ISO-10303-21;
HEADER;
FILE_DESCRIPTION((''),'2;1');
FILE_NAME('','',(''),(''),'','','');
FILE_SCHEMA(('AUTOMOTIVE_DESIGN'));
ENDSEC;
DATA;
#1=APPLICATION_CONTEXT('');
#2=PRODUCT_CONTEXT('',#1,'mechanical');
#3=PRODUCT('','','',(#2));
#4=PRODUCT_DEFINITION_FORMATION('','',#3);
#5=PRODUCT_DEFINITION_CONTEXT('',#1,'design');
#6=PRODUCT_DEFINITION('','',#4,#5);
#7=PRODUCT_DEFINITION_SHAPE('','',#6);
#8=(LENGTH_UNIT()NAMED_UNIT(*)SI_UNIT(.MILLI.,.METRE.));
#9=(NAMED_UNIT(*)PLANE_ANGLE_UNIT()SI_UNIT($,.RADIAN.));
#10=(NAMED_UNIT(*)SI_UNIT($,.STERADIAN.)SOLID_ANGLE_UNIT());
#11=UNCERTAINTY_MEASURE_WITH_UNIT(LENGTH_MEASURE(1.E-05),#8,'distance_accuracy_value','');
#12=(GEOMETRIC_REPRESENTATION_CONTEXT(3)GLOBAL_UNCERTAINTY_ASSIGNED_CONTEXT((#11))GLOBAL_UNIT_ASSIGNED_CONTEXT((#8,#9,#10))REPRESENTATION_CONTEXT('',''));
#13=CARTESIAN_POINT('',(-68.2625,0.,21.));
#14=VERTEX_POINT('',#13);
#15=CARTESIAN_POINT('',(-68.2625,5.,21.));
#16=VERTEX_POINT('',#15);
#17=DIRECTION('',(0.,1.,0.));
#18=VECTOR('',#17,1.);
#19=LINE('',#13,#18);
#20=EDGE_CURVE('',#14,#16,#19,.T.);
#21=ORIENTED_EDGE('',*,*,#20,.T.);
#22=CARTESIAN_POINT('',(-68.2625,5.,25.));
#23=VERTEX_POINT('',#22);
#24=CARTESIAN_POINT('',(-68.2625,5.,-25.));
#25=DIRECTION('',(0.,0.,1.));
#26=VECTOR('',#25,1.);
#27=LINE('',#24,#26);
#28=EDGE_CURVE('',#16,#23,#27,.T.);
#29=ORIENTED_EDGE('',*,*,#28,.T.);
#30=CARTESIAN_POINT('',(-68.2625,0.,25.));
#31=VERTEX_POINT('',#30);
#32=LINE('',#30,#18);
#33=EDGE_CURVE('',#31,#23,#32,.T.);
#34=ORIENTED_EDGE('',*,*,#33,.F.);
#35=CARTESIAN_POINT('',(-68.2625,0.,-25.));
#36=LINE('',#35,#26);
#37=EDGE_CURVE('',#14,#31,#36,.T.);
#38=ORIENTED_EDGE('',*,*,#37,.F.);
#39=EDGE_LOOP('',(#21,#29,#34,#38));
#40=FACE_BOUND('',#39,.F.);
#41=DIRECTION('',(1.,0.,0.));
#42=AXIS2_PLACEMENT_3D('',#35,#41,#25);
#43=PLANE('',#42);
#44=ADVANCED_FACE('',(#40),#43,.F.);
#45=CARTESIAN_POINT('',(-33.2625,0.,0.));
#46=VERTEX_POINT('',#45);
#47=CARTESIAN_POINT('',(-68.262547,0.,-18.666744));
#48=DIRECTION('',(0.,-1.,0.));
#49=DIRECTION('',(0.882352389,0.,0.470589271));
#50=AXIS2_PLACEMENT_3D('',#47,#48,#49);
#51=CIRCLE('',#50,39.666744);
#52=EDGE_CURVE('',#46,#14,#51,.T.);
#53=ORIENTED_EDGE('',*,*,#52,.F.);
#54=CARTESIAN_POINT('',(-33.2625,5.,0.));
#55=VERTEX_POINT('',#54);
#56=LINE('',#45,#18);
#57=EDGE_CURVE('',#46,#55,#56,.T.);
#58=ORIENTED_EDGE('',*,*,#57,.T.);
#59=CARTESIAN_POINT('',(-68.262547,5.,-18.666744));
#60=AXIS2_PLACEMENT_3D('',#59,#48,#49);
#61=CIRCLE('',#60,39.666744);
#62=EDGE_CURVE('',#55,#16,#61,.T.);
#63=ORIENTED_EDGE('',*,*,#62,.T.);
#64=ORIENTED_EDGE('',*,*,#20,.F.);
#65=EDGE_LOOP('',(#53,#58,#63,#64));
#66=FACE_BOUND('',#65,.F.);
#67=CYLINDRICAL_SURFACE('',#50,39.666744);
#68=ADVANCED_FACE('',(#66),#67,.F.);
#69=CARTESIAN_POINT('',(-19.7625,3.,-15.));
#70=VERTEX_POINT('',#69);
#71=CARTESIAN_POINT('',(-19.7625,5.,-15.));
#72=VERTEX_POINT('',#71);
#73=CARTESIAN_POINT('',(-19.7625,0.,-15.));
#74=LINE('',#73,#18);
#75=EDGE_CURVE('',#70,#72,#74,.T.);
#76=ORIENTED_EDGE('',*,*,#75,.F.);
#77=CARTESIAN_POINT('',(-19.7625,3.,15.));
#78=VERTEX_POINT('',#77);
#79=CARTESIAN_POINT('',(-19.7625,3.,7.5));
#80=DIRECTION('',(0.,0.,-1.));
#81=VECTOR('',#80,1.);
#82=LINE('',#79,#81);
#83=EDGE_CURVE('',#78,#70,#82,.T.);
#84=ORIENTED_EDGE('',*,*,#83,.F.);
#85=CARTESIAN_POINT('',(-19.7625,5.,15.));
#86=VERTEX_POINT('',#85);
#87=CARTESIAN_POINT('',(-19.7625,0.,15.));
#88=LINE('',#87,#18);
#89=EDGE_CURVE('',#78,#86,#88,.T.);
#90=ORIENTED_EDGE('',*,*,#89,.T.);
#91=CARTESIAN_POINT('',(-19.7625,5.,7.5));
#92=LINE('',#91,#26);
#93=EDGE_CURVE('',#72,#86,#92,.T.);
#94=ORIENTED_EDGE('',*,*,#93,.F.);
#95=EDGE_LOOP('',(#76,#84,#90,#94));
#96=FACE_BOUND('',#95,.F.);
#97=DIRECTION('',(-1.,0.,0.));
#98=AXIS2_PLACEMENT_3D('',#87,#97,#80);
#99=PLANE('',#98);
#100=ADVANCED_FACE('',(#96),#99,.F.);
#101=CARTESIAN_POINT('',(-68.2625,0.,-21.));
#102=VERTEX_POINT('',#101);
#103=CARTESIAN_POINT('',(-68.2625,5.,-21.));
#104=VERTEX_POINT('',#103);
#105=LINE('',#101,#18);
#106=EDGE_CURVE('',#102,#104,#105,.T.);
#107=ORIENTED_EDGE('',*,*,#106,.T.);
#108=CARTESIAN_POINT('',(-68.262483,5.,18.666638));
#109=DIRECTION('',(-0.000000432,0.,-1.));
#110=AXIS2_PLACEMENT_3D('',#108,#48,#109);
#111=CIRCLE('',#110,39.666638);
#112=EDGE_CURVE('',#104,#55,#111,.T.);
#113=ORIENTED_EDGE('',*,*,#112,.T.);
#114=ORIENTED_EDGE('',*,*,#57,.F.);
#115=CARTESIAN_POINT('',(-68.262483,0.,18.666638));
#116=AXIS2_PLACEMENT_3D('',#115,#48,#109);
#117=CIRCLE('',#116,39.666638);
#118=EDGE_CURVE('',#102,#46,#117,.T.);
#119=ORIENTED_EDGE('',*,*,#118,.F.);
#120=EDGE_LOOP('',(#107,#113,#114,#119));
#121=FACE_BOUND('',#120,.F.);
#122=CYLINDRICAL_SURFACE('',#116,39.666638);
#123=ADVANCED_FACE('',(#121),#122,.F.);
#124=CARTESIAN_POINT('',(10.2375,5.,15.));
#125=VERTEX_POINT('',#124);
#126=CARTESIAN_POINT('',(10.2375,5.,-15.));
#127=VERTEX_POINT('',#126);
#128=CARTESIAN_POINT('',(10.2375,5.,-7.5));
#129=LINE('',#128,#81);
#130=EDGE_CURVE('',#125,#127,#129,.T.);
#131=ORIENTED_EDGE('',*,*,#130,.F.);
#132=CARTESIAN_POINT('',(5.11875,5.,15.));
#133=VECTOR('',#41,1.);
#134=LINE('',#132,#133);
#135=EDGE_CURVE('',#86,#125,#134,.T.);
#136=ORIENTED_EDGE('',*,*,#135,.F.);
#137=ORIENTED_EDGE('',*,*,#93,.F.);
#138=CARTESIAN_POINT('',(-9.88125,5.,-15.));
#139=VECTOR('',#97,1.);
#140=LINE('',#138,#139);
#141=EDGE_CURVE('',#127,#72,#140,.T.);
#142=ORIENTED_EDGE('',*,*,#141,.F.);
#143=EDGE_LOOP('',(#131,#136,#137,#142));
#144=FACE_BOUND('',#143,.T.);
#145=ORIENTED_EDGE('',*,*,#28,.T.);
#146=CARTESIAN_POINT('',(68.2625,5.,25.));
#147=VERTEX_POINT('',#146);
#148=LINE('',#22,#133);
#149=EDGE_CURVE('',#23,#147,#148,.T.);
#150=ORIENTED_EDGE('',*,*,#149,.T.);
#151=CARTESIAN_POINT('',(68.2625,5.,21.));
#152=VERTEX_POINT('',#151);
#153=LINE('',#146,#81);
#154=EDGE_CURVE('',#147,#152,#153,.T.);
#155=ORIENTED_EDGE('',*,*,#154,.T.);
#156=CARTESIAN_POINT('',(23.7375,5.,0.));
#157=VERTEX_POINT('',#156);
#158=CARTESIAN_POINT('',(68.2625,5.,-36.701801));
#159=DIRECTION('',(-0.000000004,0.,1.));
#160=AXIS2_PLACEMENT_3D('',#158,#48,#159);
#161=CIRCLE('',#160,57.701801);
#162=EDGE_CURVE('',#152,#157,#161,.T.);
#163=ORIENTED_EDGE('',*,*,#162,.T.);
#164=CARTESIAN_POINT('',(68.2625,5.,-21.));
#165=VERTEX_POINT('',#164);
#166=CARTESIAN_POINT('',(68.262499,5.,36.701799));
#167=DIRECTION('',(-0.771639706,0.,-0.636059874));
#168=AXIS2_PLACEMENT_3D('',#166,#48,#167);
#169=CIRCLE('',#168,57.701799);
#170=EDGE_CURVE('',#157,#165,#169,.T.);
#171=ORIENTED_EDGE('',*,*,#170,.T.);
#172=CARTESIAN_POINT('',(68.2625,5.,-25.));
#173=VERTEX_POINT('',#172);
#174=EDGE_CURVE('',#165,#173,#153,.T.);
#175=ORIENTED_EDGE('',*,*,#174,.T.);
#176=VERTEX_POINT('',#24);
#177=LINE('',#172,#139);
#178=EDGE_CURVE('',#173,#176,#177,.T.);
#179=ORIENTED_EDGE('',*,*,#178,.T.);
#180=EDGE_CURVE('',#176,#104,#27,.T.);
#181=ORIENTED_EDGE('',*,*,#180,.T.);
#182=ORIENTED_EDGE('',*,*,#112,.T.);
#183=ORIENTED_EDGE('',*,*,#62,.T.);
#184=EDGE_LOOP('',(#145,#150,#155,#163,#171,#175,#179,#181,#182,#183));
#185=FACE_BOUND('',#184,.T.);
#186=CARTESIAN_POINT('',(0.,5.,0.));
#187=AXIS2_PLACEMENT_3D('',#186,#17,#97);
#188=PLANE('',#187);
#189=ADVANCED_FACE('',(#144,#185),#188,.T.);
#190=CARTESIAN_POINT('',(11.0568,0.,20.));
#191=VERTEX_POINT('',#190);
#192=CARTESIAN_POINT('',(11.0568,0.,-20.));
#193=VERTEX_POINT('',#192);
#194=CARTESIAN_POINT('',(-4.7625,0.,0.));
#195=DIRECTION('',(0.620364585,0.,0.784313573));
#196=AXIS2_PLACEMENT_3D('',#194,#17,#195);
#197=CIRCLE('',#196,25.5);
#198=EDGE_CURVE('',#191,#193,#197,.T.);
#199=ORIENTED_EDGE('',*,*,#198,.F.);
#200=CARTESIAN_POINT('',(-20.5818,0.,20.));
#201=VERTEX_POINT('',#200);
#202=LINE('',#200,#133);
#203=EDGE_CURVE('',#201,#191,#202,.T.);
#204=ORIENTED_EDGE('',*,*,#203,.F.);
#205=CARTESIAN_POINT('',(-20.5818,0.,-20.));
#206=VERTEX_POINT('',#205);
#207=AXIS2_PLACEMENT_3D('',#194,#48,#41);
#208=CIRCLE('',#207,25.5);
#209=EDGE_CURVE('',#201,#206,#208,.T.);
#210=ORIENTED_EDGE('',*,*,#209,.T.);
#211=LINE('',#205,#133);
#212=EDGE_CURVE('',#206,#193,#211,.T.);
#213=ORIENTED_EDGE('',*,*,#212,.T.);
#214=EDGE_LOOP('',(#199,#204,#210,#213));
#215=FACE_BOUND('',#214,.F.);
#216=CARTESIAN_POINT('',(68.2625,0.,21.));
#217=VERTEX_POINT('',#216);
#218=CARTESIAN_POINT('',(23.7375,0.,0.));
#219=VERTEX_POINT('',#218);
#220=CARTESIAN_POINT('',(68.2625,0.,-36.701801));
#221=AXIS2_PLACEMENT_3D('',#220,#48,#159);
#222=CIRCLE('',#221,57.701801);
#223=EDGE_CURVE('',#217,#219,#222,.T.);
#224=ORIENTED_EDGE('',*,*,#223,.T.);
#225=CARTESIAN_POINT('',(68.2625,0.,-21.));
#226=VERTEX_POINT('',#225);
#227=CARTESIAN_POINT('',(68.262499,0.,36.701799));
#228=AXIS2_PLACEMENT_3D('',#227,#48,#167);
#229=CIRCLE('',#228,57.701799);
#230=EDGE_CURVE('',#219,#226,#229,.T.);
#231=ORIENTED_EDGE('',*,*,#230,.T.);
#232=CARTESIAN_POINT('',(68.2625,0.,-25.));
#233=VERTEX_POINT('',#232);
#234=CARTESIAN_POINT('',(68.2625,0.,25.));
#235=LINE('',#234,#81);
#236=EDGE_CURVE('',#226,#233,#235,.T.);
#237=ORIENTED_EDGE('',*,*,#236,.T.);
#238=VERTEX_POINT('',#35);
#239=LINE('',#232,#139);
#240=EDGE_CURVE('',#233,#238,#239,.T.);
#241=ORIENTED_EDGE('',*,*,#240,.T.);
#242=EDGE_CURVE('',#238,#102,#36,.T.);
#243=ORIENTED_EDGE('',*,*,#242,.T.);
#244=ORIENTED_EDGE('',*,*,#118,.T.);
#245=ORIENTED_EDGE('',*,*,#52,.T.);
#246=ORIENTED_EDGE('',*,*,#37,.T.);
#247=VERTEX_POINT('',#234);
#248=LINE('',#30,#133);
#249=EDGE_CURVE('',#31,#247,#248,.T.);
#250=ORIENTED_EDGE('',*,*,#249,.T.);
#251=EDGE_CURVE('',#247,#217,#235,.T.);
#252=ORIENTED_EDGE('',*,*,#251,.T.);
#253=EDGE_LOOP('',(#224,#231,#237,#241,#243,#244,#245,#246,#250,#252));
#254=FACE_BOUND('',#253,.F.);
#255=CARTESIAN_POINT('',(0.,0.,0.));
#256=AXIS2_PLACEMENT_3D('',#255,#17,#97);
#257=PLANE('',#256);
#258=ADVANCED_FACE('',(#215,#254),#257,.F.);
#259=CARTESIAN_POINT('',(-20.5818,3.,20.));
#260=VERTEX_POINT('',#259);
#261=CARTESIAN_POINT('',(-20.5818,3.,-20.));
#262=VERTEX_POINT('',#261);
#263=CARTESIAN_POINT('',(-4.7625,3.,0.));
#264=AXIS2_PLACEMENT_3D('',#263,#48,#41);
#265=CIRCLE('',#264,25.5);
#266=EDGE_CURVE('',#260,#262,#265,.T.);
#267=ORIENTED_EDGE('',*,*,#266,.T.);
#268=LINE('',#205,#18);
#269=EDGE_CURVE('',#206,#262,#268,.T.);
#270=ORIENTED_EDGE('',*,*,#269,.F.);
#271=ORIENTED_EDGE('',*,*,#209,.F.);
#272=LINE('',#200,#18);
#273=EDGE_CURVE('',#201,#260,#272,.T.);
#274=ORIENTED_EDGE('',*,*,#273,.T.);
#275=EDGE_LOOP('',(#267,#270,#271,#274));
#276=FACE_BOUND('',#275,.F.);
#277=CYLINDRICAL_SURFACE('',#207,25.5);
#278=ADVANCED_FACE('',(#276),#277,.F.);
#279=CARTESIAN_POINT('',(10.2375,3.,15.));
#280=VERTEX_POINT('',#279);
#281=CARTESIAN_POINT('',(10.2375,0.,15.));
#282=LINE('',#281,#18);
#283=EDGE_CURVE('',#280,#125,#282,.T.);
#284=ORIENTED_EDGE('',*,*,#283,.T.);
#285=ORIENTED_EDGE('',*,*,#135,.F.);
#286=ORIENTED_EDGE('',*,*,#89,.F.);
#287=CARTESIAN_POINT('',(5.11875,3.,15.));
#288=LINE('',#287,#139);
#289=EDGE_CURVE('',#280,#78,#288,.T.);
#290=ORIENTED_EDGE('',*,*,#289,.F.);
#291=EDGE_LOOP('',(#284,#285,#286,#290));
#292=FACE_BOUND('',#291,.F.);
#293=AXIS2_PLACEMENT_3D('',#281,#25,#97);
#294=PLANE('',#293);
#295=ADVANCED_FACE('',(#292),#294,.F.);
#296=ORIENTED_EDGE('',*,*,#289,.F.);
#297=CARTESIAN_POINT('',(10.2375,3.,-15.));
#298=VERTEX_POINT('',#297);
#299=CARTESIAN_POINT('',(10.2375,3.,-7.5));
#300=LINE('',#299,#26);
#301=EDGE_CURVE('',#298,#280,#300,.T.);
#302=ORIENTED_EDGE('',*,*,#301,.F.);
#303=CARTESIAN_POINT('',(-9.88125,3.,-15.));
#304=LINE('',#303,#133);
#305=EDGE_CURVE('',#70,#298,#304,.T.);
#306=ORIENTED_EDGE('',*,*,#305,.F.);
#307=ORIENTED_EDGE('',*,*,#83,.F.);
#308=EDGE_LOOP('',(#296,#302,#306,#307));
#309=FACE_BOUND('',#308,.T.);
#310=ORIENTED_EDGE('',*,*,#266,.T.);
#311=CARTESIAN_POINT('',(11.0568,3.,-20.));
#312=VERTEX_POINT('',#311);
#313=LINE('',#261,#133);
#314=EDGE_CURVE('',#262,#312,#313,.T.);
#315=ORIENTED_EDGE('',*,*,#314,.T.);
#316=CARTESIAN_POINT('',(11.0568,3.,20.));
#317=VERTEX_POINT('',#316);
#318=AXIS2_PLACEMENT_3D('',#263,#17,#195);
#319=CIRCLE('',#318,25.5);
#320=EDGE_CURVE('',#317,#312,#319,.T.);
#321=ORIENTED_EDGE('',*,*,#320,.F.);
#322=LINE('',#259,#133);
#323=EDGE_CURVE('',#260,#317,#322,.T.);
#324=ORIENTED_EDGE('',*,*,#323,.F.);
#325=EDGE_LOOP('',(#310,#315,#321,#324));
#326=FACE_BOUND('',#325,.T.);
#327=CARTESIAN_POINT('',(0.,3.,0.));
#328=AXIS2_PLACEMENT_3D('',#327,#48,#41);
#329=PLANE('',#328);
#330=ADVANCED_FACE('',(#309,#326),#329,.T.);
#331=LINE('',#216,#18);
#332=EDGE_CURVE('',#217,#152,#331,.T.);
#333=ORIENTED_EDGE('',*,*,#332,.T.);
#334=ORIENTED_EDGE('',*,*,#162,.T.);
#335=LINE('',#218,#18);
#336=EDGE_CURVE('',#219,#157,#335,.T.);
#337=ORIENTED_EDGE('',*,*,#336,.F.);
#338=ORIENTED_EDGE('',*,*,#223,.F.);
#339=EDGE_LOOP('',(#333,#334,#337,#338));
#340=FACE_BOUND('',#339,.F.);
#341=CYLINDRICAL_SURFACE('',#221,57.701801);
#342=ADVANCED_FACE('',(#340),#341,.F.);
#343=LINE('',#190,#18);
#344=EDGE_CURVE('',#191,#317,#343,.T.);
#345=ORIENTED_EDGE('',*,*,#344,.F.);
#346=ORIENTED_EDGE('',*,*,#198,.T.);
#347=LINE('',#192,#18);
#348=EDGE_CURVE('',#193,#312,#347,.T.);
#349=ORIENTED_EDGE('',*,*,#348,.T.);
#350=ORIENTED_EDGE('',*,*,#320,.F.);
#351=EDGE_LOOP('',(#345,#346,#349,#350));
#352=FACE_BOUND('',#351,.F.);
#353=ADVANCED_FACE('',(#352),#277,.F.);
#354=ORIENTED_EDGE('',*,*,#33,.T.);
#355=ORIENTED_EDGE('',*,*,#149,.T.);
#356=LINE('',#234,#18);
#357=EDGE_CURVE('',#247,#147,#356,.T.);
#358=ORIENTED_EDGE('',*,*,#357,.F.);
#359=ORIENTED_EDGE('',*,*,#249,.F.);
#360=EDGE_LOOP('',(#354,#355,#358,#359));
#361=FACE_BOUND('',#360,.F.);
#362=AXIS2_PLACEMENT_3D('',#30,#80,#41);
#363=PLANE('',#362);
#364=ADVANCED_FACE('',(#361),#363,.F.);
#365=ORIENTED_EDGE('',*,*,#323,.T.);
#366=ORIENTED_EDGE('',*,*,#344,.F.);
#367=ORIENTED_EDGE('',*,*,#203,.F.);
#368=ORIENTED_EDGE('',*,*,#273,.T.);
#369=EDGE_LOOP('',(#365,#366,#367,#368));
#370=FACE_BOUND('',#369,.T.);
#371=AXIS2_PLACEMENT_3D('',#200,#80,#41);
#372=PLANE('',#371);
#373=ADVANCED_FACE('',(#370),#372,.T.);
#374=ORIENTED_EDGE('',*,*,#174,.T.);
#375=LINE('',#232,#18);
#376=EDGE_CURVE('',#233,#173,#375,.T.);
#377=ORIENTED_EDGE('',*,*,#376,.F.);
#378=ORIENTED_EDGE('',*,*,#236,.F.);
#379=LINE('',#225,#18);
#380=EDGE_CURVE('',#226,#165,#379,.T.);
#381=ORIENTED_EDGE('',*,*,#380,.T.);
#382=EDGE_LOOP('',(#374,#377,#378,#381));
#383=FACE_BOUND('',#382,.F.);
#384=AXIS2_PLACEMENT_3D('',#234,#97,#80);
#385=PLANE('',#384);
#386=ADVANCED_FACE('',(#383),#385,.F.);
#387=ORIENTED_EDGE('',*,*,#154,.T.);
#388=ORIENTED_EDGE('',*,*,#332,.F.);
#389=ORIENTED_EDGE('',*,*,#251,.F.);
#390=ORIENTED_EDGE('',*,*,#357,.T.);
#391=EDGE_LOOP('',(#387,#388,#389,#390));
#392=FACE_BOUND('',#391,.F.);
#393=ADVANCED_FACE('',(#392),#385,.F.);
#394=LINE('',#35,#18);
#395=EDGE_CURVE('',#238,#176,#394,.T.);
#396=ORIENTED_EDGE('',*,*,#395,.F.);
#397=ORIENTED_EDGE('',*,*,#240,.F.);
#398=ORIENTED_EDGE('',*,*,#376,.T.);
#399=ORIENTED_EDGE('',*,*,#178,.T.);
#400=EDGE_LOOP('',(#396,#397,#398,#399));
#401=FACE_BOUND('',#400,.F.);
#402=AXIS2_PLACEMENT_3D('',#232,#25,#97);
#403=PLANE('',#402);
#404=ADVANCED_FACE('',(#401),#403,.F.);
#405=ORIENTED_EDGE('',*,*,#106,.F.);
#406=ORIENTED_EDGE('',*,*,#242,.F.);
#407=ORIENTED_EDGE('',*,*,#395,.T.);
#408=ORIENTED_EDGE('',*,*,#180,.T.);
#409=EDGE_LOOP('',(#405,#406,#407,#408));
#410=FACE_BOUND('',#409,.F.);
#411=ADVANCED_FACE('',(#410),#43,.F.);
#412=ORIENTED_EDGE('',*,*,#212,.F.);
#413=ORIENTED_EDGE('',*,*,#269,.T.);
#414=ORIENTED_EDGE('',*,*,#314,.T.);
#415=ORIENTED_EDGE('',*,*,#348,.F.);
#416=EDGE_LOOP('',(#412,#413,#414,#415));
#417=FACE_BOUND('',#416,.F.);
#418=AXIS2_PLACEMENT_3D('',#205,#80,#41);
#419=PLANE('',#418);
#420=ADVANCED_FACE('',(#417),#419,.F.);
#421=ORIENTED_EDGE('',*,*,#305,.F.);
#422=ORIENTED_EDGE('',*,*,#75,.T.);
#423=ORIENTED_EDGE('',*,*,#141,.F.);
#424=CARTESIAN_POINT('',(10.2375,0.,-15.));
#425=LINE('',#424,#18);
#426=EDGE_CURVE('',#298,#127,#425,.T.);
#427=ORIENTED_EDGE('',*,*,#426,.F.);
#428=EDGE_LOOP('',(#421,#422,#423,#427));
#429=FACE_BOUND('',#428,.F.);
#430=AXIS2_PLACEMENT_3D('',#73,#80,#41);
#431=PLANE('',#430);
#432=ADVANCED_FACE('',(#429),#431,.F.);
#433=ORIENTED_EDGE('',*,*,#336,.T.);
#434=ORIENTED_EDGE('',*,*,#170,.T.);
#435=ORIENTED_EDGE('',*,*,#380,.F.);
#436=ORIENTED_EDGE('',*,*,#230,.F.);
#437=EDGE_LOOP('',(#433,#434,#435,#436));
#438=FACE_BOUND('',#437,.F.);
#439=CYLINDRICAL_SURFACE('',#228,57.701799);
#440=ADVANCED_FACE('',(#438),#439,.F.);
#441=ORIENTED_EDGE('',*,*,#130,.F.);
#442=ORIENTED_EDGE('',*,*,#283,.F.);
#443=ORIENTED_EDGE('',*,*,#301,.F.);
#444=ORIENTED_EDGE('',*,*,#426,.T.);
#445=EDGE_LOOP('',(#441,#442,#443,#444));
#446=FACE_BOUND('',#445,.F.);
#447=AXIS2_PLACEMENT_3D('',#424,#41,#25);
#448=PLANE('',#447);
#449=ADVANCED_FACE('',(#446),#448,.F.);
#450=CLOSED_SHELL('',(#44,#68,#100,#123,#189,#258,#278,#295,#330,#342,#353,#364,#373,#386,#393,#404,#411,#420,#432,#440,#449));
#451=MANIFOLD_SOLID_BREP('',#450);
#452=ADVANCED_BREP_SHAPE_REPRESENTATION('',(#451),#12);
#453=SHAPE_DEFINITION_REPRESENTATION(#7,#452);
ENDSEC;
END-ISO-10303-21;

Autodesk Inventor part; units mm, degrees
ref_plane "YZ Plane" through (0, 0, 0) normal (1, 0, 0) x (0, 1, 0)
ref_plane "XZ Plane" through (0, 0, 0) normal (0, 1, 0) x (-1, 0, 0)
ref_plane "XY Plane" through (0, 0, 0) normal (0, 0, 1) x (1, 0, 0)
sketch "Sketch1" plane through (0, 0, 0) normal (0, 1, 0) x (-1, 0, 0)
  line L0 (-68.2625, -25) -> (68.2625, -25)
  line L1 (68.2625, -25) -> (68.2625, 25)
  line L2 (68.2625, 25) -> (-68.2625, 25)
  line L3 (-68.2625, 25) -> (-68.2625, -25)
  line L4 (-68.2625, -25) -> (68.2625, 25) construction
  line L5 (68.2625, -25) -> (-68.2625, 25) construction
  point P0 (0, 0)
  dimension "d0" = 136.525
  dimension "d1" = 50
extrude "Extrusion1" add sketch "Sketch1" along normal blind 5
sketch "Sketch2" plane through (0, 0, 0) normal (0, -1, 0) x (1, 0, 0)
  circle A0 centre (-4.7625, 0) radius 25.5
  line L0 (-68.2625, -25) -> (-68.2625, 25) projected
  line L1 (-20.5818, -20) -> (11.0568, -20)
  line L2 (-20.5818, 20) -> (11.0568, 20)
  point P0 (0, 0)
  dimension "d4" = 51
  dimension "d5" = 63.5
  dimension "d6" = 40
  dimension "d7" = 20
extrude "Extrusion2" cut sketch "Sketch2" against normal blind 3 contours A0 L1 L2
sketch "Sketch3" plane through (0, 0, 0) normal (0, -1, 0) x (1, 0, 0)
  line L0 (68.2625, 25) -> (68.2625, -25) projected
  arc A0 (23.7375, 0) -> (68.2625, -21) centre (68.2625, 36.7018) ccw
  arc A1 (68.2625, 21) -> (23.7375, 0) centre (68.2625, -36.7018) ccw
  arc A2 (11.0568, -20) -> (11.0568, 20) centre (-4.7625, 0) ccw projected
  line L1 (-68.2625, -25) -> (-68.2625, 25) projected
  arc A3 (-68.2625, -21) -> (-33.2625, 0) centre (-68.2625, 18.6667) ccw
  arc A4 (-33.2625, 0) -> (-68.2625, 21) centre (-68.2625, -18.6667) ccw
  arc A5 (-20.5818, 20) -> (-20.5818, -20) centre (-4.7625, 0) ccw projected
  line L2 (10.2375, 15) -> (-19.7625, 15)
  line L3 (-19.7625, 15) -> (-19.7625, -15)
  line L4 (-19.7625, -15) -> (10.2375, -15)
  line L5 (10.2375, -15) -> (10.2375, 15)
  line L6 (10.2375, 15) -> (-19.7625, -15) construction
  line L7 (-19.7625, 15) -> (10.2375, -15) construction
  point P0 (0, 0)
  point P1 (20.7375, 0)
  point P2 (-30.2625, 0)
  dimension "d10" = 4
  dimension "d11" = 4
  dimension "d12" = 3
  dimension "d13" = 4
  dimension "d14" = 4
  dimension "d15" = 3
  dimension "d16" = 30
  dimension "d17" = 30
extrude "Extrusion3" cut sketch "Sketch3" against normal through all
equation "\"d7\" = 0.5 * d6"
equation "\"d11\" = d10"
equation "\"d14\" = d13"
properties part number "Spin Arrest"
